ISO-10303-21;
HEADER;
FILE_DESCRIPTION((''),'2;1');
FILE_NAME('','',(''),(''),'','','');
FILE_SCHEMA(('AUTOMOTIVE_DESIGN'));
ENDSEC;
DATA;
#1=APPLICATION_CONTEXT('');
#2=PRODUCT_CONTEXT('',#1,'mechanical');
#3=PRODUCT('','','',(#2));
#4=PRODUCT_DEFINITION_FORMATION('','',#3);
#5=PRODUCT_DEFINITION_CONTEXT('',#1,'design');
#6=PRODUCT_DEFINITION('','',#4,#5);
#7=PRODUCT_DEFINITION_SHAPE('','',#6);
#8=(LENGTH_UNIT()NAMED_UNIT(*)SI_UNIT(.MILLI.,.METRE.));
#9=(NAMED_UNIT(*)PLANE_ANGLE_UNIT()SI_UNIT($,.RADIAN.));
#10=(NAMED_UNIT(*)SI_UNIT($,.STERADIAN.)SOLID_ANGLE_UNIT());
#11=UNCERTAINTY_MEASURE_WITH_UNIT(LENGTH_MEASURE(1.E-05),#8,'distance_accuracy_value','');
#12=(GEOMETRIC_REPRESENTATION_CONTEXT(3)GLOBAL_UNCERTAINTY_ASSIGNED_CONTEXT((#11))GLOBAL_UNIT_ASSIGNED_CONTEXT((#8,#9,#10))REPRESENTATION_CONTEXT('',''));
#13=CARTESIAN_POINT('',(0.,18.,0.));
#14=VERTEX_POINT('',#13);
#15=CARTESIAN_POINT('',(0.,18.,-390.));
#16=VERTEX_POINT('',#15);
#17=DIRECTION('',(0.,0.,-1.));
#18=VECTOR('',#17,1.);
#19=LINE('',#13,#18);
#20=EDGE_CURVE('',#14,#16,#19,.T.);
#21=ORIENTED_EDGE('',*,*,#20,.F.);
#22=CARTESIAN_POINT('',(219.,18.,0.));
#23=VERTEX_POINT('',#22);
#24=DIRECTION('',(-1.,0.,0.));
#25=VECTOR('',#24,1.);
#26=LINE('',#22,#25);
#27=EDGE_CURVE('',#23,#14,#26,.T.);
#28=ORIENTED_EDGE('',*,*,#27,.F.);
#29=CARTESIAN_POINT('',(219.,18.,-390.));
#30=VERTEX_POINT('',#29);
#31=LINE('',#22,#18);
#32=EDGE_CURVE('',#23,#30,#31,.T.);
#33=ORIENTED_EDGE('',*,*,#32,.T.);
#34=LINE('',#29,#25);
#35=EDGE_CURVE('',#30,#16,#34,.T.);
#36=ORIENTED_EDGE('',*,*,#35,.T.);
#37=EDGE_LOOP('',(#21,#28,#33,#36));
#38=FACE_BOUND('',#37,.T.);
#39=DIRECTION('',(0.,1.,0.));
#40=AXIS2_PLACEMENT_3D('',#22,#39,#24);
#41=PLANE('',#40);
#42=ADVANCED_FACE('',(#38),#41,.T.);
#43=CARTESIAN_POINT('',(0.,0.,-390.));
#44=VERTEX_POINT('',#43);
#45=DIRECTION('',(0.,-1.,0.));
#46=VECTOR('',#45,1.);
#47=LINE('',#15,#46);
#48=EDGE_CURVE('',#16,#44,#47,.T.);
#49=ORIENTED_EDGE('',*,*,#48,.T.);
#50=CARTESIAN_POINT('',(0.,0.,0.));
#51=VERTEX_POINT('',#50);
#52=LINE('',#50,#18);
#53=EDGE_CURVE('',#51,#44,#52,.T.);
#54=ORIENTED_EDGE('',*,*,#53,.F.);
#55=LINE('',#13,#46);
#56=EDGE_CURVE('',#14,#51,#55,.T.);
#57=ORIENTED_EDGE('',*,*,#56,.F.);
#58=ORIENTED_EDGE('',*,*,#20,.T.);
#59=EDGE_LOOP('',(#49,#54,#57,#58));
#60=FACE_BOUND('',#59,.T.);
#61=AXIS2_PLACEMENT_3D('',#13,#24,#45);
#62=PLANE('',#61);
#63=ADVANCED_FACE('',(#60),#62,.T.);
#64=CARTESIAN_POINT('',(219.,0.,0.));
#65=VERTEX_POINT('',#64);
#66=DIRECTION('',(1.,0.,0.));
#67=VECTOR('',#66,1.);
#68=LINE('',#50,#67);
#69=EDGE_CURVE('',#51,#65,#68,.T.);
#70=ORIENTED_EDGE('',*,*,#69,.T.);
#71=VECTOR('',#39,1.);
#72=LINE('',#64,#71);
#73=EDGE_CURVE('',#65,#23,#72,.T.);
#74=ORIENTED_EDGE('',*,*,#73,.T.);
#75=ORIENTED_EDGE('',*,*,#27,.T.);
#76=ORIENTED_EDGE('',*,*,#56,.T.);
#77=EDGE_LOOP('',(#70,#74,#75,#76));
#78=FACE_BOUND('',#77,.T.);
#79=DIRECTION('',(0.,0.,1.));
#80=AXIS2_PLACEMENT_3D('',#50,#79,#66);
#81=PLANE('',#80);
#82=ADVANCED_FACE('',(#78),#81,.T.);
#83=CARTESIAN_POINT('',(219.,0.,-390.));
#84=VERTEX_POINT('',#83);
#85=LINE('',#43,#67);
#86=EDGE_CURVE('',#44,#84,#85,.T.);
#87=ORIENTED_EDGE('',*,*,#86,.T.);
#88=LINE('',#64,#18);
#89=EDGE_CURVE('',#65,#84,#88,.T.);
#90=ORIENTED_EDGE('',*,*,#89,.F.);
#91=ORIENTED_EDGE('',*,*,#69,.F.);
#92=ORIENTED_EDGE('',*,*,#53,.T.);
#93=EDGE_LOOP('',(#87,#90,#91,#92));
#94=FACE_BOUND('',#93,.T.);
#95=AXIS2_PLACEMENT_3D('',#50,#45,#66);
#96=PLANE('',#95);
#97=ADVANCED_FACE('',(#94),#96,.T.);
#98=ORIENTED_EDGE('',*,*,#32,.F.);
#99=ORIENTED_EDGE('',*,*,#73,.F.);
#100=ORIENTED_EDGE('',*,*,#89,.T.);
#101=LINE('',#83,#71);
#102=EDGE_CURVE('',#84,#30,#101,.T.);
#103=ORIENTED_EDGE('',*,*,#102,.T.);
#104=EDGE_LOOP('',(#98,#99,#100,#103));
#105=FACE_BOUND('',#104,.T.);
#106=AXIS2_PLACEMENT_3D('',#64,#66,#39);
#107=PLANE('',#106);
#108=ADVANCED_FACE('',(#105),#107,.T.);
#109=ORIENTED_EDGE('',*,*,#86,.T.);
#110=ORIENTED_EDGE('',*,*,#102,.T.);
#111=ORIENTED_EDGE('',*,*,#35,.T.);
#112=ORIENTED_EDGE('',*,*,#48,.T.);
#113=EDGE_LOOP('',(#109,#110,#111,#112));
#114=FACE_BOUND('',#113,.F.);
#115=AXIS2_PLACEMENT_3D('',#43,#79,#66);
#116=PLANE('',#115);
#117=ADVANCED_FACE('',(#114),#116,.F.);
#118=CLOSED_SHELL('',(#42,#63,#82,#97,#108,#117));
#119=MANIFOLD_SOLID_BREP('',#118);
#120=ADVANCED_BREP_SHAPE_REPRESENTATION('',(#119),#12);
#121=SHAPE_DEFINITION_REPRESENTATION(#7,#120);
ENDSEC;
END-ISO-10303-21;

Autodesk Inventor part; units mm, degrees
ref_plane "YZ Plane" through (0, 0, 0) normal (1, 0, 0) x (0, 1, 0)
ref_plane "XZ Plane" through (0, 0, 0) normal (0, 1, 0) x (-1, 0, 0)
ref_plane "XY Plane" through (0, 0, 0) normal (0, 0, 1) x (1, 0, 0)
sketch "Sketch1" plane through (0, 0, 0) normal (0, 0, 1) x (1, 0, 0)
  line L0 (0, 0) -> (219, 0)
  line L1 (219, 0) -> (219, 18)
  line L2 (219, 18) -> (0, 18)
  line L3 (0, 18) -> (0, 0)
  dimension "d0" = 18
  dimension "d1" = 219
extrude "Extrusion1" add sketch "Sketch1" against normal blind 390
sketch "Sketch2" plane through (0, 18, 0) normal (0, 1, 0) x (1, 0, 0)
  line L0 (24.5, 150) -> (194.5, 150) construction
  line L1 (194.5, 150) -> (194.5, 370) construction
  line L2 (194.5, 370) -> (24.5, 370) construction
  line L3 (24.5, 370) -> (24.5, 150) construction
  line L4 (15, 15) -> (204, 15)
  line L5 (204, 15) -> (204, 120)
  line L6 (204, 120) -> (15, 120)
  line L7 (15, 120) -> (15, 15)
  line L8 (219, 0) -> (0, 0) projected
  line L9 (0, 0) -> (0, 390) projected
  line L10 (0, 390) -> (219, 390) projected
  circle A0 centre (15, 135) radius 3
  line L11 (15, 120) -> (15, 150) construction
  point P0 (109.5, 0)
  point P1 (109.5, 15)
  point P2 (109.5, 0)
  point P3 (109.5, 150)
  point P4 (15, 135)
  dimension "d4" = 220
  dimension "d5" = 170
  dimension "d6" = 189
  dimension "d7" = 105
  dimension "d9" = 15
  dimension "d11" = 20
  dimension "d12" = 6
properties part number "Platform"
